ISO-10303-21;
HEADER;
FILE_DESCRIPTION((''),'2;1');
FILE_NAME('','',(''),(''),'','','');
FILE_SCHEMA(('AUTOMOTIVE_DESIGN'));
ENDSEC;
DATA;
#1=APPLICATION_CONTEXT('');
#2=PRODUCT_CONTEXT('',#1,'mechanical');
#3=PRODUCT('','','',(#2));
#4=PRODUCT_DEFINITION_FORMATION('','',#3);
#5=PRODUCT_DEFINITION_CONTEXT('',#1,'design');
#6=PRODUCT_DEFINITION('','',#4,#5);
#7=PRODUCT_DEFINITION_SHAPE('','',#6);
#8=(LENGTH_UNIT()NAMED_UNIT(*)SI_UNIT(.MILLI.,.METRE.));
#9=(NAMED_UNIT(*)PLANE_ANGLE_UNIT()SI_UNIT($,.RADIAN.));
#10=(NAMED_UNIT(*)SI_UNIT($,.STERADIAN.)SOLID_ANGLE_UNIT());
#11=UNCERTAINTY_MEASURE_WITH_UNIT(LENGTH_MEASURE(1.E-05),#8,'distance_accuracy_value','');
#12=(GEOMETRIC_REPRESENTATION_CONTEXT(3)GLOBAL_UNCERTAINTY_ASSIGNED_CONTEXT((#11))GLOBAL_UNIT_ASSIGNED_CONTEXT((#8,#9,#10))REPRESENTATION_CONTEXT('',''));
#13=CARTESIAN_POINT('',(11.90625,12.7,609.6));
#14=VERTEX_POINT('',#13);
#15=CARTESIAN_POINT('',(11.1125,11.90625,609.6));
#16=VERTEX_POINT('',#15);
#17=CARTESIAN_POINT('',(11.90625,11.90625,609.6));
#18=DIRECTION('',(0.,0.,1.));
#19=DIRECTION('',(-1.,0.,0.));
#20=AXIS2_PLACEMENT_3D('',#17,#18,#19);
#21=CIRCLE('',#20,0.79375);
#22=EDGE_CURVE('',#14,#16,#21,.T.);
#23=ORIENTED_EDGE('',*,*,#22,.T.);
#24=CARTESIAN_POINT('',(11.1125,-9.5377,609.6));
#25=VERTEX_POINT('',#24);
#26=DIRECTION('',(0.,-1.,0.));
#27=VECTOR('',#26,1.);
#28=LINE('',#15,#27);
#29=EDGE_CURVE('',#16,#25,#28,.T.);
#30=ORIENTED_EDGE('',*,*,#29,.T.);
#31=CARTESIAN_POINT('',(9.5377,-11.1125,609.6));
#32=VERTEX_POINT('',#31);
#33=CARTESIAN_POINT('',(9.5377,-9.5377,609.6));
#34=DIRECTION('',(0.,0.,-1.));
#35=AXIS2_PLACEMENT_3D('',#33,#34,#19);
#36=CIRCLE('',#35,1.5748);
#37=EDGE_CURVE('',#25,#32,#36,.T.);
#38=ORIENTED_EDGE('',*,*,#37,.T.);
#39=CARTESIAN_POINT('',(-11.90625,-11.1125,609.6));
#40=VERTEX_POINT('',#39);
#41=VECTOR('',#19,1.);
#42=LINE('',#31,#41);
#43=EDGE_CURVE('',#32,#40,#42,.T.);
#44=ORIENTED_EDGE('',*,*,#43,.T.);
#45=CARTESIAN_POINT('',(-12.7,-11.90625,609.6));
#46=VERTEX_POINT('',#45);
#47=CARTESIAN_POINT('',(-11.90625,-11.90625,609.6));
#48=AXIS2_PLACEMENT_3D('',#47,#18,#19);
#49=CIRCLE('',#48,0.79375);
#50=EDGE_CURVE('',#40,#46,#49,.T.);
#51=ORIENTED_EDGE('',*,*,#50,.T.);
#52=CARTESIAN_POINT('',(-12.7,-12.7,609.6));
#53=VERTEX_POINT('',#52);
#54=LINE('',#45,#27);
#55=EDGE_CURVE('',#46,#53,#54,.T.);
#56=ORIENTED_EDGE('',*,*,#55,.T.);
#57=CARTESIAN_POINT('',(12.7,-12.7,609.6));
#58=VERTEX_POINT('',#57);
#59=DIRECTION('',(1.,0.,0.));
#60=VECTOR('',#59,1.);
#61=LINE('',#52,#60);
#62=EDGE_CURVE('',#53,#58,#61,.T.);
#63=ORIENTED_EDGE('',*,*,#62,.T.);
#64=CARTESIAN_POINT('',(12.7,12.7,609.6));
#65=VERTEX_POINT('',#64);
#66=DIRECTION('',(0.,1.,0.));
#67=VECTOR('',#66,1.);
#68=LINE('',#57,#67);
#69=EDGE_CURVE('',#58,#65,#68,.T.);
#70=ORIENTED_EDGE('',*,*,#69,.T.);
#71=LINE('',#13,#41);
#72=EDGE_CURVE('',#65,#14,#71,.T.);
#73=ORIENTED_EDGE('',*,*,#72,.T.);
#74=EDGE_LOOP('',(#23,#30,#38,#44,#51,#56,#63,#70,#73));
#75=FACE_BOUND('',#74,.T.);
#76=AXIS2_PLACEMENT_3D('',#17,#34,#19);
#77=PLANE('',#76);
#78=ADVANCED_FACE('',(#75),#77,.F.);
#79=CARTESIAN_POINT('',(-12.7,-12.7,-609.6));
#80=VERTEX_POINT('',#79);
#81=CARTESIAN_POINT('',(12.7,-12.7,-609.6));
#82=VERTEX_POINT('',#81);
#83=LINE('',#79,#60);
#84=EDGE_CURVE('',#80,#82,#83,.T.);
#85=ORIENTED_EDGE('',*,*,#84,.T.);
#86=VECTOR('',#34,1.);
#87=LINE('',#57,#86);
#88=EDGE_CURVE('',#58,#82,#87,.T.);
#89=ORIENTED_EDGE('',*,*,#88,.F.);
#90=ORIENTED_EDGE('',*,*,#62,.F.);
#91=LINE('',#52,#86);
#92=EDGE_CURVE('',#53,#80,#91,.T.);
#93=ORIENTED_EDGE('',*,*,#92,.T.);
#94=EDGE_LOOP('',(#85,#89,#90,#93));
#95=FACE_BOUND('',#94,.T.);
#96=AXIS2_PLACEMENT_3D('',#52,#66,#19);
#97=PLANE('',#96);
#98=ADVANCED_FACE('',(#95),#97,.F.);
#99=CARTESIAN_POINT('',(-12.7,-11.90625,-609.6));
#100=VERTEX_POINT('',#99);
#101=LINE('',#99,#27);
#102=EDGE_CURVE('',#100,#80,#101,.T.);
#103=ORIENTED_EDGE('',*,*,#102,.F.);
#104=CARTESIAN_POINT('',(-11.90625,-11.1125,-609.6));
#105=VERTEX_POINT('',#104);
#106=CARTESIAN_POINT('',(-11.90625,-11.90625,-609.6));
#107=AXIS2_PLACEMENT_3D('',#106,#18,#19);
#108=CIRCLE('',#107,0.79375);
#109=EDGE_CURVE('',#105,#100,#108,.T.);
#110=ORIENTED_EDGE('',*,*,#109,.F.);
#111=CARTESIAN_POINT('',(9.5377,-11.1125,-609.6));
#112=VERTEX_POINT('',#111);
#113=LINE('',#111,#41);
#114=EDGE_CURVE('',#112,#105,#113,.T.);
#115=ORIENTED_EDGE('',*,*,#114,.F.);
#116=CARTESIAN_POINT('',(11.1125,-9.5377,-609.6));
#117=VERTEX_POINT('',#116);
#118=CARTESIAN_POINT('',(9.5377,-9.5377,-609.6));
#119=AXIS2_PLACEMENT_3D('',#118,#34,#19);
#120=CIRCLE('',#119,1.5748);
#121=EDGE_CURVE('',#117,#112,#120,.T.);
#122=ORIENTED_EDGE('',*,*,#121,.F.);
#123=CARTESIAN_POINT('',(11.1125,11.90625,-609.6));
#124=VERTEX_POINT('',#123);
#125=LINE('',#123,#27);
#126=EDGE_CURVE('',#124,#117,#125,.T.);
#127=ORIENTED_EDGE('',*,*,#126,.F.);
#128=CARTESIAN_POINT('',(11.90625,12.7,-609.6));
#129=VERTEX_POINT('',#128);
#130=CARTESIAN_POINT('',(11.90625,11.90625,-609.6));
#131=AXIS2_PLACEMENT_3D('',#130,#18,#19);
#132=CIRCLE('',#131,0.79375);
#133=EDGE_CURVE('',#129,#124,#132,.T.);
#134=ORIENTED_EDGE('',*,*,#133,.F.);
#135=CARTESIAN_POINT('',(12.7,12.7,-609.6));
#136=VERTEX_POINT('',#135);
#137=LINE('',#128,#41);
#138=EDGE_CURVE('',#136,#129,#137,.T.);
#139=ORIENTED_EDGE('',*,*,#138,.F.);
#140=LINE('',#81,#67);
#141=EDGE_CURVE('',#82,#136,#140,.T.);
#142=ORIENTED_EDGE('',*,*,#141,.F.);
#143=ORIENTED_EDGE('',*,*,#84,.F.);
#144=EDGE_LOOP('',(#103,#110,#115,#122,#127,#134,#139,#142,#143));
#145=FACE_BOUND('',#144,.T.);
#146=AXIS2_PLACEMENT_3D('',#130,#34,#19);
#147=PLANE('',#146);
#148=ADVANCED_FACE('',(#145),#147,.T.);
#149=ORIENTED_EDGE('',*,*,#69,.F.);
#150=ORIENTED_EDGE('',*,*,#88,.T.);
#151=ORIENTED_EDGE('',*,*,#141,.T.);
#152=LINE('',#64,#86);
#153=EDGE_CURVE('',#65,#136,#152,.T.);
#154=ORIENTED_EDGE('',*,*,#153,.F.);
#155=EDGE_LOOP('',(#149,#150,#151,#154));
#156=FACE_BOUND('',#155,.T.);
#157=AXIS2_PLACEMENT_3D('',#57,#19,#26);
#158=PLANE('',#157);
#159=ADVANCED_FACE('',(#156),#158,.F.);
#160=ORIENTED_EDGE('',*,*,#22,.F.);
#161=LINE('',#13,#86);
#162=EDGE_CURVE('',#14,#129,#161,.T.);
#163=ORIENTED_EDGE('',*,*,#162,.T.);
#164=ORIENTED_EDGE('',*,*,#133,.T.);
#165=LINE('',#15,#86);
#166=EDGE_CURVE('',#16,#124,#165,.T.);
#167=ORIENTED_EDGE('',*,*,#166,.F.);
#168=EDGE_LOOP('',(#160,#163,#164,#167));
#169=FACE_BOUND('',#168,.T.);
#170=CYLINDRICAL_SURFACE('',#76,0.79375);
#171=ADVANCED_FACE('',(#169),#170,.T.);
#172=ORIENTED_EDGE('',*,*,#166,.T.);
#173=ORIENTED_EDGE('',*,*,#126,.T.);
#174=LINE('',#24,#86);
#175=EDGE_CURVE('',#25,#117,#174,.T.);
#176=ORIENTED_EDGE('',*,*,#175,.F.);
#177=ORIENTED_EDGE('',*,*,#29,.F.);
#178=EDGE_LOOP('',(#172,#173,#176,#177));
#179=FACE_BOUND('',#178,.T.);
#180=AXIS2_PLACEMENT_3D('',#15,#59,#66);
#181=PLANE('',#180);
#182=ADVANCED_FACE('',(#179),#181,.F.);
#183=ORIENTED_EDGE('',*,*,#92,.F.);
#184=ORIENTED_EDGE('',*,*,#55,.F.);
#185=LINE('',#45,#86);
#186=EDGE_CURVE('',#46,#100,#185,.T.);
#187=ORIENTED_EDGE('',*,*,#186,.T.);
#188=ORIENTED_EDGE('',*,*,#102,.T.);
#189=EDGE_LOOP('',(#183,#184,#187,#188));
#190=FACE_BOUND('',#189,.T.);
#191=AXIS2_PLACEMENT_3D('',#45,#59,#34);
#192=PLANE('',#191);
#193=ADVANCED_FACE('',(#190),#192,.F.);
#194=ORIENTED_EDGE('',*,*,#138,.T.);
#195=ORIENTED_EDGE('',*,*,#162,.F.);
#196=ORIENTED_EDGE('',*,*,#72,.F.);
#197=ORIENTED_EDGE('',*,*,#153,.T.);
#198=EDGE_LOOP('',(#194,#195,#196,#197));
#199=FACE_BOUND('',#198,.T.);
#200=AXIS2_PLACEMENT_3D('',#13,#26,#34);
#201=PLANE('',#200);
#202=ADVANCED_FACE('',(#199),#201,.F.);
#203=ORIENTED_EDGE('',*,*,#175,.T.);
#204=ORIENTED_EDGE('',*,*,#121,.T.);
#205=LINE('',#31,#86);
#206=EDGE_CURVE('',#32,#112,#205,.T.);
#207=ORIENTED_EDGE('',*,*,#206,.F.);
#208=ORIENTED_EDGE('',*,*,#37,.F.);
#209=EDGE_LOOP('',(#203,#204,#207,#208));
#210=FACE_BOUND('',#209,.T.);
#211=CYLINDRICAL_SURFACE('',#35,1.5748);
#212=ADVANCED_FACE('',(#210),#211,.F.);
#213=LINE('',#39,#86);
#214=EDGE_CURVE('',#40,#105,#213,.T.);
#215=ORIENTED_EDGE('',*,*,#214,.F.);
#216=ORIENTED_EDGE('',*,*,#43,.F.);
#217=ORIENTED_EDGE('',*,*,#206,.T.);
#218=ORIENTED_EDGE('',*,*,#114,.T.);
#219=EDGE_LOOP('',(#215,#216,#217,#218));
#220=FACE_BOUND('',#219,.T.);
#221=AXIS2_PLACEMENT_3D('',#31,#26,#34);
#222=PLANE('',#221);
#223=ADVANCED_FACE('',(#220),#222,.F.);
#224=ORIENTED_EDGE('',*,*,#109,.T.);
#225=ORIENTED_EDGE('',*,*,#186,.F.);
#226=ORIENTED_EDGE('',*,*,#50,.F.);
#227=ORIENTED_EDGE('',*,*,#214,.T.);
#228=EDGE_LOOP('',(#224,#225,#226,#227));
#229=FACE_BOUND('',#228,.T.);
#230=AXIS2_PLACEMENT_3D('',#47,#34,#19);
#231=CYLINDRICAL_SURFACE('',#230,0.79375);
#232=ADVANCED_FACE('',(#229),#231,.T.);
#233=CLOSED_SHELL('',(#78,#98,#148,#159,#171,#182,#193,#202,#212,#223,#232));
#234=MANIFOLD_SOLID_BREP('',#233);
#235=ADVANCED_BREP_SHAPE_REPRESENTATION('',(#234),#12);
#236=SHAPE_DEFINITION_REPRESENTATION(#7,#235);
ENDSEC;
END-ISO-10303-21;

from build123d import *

# Parameters (mm, degrees)
BOSS_EXTRUDE1_DEPTH = 609.6


with BuildPart() as part:
    # Sketch2 → Boss-Extrude1 (new, symmetric)
    with BuildSketch(Plane.XY):
        with BuildLine():
            Line((-12.7, -12.7), (12.7, -12.7))
            Line((12.7, -12.7), (12.7, 12.7))
            Line((12.7, 12.7), (11.90625, 12.7))
            ThreePointArc((11.90625, 12.7), (11.344983992, 12.467516008), (11.1125, 11.90625))
            Line((11.1125, 11.90625), (11.1125, -9.5377))
            ThreePointArc((11.1125, -9.5377), (10.651251759, -10.651251759), (9.5377, -11.1125))
            Line((9.5377, -11.1125), (-11.90625, -11.1125))
            ThreePointArc((-11.90625, -11.1125), (-12.467516008, -11.344983992), (-12.7, -11.90625))
            Line((-12.7, -11.90625), (-12.7, -12.7))
        make_face()
    extrude(amount=BOSS_EXTRUDE1_DEPTH, both=True)


solid = part.part
